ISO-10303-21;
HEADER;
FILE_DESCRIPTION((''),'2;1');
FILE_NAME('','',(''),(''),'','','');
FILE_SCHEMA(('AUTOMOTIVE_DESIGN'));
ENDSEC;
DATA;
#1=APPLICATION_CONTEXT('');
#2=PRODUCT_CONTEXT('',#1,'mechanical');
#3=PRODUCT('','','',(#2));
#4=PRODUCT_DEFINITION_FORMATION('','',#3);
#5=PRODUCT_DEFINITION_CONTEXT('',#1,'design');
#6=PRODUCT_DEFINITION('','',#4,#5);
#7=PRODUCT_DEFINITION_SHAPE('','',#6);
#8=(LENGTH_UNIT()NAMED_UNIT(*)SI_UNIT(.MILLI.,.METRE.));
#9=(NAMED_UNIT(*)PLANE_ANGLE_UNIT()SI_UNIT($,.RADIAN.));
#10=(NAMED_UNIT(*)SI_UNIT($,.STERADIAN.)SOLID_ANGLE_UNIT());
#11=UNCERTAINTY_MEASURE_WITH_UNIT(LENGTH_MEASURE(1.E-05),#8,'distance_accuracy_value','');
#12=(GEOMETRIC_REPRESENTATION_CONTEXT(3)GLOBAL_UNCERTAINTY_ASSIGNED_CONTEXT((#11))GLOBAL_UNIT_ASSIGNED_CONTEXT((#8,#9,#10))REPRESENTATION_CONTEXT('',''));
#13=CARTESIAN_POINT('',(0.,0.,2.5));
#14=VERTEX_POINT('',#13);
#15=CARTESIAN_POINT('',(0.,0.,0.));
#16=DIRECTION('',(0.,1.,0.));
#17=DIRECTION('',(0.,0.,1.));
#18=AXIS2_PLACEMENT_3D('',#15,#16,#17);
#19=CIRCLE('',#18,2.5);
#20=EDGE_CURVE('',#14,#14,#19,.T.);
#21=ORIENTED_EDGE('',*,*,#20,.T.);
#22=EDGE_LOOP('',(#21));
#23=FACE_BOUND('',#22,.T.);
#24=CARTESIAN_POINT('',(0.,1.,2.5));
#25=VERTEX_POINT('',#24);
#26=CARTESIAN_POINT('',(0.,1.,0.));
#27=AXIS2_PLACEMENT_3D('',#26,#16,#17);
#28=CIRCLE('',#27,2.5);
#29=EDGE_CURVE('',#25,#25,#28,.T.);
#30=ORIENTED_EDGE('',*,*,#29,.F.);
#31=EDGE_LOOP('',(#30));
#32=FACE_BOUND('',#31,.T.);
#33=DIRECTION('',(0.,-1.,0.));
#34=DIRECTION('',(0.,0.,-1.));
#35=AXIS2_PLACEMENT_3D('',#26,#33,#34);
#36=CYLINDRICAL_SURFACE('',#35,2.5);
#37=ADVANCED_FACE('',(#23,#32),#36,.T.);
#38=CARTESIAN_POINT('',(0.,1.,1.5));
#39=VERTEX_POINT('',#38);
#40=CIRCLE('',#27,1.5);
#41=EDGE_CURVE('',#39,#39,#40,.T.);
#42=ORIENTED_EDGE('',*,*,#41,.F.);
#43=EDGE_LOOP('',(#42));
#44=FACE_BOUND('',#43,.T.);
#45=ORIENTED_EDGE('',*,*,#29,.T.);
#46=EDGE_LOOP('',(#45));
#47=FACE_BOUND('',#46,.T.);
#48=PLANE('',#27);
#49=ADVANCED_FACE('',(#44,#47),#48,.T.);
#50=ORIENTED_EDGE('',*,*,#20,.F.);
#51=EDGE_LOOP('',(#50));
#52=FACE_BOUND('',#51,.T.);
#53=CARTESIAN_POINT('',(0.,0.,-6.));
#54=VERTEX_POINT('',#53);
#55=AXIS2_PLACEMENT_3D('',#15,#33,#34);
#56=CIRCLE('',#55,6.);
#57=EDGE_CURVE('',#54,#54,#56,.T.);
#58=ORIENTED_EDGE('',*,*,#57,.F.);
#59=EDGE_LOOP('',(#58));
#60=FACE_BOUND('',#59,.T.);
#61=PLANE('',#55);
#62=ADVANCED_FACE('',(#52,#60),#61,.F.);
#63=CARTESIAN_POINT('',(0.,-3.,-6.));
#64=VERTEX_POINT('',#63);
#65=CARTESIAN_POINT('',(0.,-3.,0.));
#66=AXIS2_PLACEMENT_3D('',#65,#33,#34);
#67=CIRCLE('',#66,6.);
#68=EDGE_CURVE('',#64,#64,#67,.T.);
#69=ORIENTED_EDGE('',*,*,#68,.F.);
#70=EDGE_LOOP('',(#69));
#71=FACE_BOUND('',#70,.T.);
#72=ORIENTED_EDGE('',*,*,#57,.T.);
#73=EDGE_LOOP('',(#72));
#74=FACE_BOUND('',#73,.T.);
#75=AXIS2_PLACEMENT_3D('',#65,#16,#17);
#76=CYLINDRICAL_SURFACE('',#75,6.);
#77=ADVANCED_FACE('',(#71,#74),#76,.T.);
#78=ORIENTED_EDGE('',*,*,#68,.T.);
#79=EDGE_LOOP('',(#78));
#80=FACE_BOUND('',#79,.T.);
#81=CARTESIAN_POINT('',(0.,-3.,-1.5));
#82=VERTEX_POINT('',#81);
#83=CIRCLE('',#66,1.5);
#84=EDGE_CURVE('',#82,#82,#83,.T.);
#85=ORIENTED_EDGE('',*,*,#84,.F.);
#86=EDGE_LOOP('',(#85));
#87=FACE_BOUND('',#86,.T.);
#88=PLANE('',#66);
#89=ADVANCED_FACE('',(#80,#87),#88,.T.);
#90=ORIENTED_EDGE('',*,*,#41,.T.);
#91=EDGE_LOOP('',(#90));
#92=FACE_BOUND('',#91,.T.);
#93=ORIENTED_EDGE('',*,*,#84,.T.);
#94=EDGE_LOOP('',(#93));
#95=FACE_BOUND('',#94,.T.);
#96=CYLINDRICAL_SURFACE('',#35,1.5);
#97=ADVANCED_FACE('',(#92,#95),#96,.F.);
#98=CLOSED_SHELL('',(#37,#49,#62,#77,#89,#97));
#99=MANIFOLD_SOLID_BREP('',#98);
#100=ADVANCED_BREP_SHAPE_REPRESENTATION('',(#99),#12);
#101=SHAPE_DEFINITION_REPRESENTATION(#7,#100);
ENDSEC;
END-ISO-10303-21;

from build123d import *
from build123d.topology import SkipClean

# Parameters (mm, degrees)
SKETCH_1_R      = 2.5
SKETCH_1_R_2    = 1.5
EXTRUDE_1_DEPTH = 1
EXTRUDE_START   = 3
SKETCH_2_R      = 6
SKETCH_2_R_2    = 1.5
EXTRUDE_2_DEPTH = 3


with BuildPart() as part:
    # 草图1 → 凸台-拉伸1 (new body)
    with BuildSketch(Plane(origin=(0, 0, 0), x_dir=(1, 0, 0), z_dir=(0, 1, 0))):
        with Locations(Location((0, 0, 0), (0, 0, 270))):
            Circle(SKETCH_1_R)
        with Locations(Location((0, 0, 0), (0, 0, 270))):
            Circle(SKETCH_1_R_2, mode=Mode.SUBTRACT)
    extrude(amount=EXTRUDE_1_DEPTH)

    # 草图2 → 凸台-拉伸2 (add)
    with SkipClean():  # the faces are left unmerged after this step: merging them gives an invalid solid
        with BuildSketch(Plane.XZ.offset(EXTRUDE_START)):
            with Locations(Location((0, 0, 0), (0, 0, 270))):
                Circle(SKETCH_2_R)
            with Locations(Location((0, 0, 0), (0, 0, 270))):
                Circle(SKETCH_2_R_2, mode=Mode.SUBTRACT)
        extrude(amount=-EXTRUDE_2_DEPTH)


solid = part.part
